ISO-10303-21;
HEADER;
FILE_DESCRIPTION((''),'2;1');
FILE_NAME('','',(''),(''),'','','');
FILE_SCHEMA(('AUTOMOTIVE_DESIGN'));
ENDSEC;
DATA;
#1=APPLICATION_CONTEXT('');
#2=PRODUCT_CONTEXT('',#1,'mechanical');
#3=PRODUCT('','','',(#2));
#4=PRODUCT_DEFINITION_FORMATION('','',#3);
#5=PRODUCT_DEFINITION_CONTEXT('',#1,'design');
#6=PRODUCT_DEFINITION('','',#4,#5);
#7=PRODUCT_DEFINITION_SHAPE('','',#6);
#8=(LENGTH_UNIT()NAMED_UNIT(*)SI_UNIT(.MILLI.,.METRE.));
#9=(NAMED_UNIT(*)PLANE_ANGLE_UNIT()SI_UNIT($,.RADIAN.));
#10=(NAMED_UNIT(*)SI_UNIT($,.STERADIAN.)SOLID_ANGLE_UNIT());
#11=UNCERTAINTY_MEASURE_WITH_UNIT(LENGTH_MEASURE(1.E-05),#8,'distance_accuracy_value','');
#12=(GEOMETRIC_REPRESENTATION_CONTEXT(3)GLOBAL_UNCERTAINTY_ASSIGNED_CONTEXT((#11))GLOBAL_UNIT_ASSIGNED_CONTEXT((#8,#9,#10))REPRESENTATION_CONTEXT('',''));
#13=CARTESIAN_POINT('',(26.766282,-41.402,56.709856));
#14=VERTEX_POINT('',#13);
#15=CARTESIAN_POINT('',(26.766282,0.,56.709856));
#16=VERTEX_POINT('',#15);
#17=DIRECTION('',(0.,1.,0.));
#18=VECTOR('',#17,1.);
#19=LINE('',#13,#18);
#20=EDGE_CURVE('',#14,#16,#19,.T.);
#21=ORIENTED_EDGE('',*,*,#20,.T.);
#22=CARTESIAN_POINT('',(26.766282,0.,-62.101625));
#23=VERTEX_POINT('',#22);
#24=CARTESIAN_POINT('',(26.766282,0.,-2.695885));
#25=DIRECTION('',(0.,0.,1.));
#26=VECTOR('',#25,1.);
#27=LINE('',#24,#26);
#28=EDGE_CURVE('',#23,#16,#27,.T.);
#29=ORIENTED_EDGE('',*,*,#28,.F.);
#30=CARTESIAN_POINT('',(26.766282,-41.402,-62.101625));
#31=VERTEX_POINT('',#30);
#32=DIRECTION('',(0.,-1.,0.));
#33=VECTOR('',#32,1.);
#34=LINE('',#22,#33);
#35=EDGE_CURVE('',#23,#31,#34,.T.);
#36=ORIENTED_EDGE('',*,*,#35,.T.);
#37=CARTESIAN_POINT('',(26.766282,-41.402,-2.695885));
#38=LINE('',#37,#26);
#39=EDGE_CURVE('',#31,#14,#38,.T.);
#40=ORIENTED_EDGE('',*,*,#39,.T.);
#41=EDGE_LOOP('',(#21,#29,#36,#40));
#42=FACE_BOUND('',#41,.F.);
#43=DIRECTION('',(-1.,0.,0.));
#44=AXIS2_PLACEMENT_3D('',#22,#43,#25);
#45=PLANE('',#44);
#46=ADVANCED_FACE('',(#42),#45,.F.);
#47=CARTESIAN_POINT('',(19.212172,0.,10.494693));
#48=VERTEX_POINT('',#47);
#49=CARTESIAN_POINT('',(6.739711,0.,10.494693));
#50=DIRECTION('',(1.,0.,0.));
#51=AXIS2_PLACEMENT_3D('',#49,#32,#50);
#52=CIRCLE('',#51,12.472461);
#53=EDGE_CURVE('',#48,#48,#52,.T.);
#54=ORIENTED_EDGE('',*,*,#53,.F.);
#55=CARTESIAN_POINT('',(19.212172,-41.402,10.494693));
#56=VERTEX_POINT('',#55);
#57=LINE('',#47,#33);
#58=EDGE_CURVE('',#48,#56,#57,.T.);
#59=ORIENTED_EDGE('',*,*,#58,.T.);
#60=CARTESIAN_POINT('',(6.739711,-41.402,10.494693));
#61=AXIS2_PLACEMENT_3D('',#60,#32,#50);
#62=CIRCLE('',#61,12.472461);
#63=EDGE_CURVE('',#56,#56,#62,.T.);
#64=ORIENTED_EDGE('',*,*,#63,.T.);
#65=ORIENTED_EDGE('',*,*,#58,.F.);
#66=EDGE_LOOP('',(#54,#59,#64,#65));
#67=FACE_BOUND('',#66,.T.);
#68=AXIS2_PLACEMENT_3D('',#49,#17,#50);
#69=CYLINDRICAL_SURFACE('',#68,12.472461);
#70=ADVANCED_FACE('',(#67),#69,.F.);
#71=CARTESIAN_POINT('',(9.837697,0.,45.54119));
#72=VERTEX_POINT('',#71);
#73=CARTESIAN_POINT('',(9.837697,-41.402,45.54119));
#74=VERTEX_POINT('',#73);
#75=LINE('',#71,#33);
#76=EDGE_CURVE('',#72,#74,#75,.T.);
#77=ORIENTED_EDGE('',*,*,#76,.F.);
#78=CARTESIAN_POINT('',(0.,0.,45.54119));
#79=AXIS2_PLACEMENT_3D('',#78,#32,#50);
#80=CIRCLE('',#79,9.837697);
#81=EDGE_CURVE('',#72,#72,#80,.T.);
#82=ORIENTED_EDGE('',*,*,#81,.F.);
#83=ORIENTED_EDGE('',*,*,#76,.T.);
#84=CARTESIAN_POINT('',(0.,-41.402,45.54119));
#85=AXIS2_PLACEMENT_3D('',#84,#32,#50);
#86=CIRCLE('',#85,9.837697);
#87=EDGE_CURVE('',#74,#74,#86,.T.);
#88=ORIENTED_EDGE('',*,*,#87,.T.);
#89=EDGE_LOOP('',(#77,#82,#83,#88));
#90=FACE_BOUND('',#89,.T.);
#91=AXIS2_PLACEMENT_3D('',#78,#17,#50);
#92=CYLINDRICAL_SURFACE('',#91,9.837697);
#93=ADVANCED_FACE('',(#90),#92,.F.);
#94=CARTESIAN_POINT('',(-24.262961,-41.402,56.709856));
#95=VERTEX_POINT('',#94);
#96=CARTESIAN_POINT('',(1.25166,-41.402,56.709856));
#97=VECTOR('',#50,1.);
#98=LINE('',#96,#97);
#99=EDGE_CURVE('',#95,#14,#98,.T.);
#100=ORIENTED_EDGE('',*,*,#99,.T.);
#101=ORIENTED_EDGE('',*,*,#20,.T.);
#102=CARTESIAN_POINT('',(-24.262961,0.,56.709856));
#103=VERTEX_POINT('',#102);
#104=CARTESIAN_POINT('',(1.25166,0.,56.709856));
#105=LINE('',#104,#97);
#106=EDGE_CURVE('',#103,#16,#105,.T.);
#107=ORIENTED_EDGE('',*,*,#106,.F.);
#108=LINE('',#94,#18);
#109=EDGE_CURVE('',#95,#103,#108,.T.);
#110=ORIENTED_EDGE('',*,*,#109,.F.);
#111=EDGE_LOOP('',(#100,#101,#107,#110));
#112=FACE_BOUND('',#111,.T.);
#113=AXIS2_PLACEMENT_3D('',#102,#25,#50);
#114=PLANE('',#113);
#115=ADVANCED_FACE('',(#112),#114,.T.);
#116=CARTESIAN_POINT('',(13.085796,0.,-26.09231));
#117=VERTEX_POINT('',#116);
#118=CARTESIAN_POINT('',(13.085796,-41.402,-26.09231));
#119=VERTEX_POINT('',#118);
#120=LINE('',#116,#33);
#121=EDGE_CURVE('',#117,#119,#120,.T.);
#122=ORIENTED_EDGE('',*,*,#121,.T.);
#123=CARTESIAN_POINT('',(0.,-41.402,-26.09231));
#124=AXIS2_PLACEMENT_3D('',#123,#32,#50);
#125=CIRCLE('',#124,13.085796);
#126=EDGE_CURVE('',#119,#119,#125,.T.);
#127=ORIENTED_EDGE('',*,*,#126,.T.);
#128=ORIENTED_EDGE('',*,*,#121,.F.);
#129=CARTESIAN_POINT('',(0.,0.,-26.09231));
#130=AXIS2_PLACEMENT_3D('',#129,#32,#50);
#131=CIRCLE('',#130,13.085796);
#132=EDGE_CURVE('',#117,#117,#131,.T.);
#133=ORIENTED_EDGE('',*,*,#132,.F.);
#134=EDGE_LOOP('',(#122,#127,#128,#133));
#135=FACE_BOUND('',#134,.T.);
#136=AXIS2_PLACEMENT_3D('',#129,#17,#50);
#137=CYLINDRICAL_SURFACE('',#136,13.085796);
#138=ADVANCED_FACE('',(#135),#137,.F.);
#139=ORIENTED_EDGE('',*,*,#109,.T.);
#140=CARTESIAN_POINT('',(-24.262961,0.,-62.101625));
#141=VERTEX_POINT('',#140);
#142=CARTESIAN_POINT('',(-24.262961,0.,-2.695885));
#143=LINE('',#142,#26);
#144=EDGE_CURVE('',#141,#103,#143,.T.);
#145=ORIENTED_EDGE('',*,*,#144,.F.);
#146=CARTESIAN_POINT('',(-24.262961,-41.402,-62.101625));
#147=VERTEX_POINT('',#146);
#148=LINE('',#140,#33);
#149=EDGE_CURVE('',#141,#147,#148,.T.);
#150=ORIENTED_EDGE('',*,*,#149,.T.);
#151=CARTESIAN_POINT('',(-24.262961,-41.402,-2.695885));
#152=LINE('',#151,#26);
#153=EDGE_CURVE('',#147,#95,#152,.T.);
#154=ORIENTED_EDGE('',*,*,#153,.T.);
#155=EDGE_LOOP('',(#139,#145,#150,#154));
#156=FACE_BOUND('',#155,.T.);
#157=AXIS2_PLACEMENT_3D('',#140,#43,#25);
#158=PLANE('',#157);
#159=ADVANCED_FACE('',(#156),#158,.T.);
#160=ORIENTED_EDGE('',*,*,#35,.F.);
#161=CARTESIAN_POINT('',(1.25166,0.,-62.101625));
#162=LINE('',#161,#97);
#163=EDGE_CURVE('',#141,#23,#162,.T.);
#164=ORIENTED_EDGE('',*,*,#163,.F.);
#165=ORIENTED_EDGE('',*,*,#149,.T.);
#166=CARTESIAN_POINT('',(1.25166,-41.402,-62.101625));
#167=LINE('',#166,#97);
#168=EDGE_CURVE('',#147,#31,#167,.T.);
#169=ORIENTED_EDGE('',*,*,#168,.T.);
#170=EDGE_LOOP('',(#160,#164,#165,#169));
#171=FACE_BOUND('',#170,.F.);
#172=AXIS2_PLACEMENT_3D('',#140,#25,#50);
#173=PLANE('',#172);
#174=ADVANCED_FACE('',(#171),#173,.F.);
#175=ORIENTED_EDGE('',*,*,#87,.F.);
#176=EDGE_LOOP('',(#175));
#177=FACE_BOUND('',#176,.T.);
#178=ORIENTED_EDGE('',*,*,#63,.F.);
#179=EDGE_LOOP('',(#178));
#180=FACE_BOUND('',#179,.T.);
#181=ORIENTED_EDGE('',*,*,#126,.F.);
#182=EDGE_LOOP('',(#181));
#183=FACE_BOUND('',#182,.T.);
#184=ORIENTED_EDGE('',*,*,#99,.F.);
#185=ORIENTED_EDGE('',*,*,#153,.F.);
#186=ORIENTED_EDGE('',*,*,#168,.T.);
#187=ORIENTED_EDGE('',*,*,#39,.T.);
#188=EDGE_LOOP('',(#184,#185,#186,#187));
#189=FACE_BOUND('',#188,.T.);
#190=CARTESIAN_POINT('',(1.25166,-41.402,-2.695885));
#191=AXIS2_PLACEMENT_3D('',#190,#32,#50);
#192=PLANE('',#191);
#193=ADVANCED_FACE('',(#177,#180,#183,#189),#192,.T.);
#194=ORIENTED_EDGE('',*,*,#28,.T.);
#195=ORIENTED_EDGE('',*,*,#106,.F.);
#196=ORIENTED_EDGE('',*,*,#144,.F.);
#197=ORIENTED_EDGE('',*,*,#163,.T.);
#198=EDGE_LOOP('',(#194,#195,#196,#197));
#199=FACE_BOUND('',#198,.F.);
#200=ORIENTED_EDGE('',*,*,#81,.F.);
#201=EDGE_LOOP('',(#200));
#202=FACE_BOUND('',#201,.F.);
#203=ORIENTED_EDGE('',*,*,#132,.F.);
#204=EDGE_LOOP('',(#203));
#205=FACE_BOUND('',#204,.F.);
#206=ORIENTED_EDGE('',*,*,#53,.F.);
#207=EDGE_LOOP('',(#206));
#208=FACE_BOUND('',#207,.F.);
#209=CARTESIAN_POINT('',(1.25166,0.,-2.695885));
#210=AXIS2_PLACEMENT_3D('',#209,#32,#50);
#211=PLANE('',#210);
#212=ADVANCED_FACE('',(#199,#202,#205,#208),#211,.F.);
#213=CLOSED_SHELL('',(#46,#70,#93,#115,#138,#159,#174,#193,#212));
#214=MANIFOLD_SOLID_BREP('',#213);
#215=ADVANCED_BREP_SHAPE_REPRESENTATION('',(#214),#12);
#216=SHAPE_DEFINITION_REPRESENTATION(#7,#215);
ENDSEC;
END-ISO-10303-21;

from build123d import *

# Parameters (mm, degrees)
F0_W     = 51.029243
F0_H     = 118.811481
F0_R     = 13.085796
F0_R_2   = 9.837697
F0_R_3   = 12.472461
F1_DEPTH = 41.402
F2_DEPTH = 25.4


with BuildPart() as f1:
    # F0 (on Front) → F1 (new body)
    with BuildSketch(Plane.XZ):
        with Locations((1.25166, -2.695885)):
            Rectangle(F0_W, F0_H)
        with Locations((0, -26.09231)):
            Circle(F0_R, mode=Mode.SUBTRACT)
        with Locations((0, 45.54119)):
            Circle(F0_R_2, mode=Mode.SUBTRACT)
        with Locations((6.739711, 10.494693)):
            Circle(F0_R_3, mode=Mode.SUBTRACT)
    extrude(amount=F1_DEPTH)

    # F0 (on Front) → F2 (join)
    with BuildSketch(Plane.XZ):
        with Locations((1.25166, -2.695885)):
            Rectangle(F0_W, F0_H)
        with Locations((0, -26.09231)):
            Circle(F0_R, mode=Mode.SUBTRACT)
        with Locations((0, 45.54119)):
            Circle(F0_R_2, mode=Mode.SUBTRACT)
        with Locations((6.739711, 10.494693)):
            Circle(F0_R_3, mode=Mode.SUBTRACT)
    extrude(amount=F2_DEPTH)


solid = f1.part
